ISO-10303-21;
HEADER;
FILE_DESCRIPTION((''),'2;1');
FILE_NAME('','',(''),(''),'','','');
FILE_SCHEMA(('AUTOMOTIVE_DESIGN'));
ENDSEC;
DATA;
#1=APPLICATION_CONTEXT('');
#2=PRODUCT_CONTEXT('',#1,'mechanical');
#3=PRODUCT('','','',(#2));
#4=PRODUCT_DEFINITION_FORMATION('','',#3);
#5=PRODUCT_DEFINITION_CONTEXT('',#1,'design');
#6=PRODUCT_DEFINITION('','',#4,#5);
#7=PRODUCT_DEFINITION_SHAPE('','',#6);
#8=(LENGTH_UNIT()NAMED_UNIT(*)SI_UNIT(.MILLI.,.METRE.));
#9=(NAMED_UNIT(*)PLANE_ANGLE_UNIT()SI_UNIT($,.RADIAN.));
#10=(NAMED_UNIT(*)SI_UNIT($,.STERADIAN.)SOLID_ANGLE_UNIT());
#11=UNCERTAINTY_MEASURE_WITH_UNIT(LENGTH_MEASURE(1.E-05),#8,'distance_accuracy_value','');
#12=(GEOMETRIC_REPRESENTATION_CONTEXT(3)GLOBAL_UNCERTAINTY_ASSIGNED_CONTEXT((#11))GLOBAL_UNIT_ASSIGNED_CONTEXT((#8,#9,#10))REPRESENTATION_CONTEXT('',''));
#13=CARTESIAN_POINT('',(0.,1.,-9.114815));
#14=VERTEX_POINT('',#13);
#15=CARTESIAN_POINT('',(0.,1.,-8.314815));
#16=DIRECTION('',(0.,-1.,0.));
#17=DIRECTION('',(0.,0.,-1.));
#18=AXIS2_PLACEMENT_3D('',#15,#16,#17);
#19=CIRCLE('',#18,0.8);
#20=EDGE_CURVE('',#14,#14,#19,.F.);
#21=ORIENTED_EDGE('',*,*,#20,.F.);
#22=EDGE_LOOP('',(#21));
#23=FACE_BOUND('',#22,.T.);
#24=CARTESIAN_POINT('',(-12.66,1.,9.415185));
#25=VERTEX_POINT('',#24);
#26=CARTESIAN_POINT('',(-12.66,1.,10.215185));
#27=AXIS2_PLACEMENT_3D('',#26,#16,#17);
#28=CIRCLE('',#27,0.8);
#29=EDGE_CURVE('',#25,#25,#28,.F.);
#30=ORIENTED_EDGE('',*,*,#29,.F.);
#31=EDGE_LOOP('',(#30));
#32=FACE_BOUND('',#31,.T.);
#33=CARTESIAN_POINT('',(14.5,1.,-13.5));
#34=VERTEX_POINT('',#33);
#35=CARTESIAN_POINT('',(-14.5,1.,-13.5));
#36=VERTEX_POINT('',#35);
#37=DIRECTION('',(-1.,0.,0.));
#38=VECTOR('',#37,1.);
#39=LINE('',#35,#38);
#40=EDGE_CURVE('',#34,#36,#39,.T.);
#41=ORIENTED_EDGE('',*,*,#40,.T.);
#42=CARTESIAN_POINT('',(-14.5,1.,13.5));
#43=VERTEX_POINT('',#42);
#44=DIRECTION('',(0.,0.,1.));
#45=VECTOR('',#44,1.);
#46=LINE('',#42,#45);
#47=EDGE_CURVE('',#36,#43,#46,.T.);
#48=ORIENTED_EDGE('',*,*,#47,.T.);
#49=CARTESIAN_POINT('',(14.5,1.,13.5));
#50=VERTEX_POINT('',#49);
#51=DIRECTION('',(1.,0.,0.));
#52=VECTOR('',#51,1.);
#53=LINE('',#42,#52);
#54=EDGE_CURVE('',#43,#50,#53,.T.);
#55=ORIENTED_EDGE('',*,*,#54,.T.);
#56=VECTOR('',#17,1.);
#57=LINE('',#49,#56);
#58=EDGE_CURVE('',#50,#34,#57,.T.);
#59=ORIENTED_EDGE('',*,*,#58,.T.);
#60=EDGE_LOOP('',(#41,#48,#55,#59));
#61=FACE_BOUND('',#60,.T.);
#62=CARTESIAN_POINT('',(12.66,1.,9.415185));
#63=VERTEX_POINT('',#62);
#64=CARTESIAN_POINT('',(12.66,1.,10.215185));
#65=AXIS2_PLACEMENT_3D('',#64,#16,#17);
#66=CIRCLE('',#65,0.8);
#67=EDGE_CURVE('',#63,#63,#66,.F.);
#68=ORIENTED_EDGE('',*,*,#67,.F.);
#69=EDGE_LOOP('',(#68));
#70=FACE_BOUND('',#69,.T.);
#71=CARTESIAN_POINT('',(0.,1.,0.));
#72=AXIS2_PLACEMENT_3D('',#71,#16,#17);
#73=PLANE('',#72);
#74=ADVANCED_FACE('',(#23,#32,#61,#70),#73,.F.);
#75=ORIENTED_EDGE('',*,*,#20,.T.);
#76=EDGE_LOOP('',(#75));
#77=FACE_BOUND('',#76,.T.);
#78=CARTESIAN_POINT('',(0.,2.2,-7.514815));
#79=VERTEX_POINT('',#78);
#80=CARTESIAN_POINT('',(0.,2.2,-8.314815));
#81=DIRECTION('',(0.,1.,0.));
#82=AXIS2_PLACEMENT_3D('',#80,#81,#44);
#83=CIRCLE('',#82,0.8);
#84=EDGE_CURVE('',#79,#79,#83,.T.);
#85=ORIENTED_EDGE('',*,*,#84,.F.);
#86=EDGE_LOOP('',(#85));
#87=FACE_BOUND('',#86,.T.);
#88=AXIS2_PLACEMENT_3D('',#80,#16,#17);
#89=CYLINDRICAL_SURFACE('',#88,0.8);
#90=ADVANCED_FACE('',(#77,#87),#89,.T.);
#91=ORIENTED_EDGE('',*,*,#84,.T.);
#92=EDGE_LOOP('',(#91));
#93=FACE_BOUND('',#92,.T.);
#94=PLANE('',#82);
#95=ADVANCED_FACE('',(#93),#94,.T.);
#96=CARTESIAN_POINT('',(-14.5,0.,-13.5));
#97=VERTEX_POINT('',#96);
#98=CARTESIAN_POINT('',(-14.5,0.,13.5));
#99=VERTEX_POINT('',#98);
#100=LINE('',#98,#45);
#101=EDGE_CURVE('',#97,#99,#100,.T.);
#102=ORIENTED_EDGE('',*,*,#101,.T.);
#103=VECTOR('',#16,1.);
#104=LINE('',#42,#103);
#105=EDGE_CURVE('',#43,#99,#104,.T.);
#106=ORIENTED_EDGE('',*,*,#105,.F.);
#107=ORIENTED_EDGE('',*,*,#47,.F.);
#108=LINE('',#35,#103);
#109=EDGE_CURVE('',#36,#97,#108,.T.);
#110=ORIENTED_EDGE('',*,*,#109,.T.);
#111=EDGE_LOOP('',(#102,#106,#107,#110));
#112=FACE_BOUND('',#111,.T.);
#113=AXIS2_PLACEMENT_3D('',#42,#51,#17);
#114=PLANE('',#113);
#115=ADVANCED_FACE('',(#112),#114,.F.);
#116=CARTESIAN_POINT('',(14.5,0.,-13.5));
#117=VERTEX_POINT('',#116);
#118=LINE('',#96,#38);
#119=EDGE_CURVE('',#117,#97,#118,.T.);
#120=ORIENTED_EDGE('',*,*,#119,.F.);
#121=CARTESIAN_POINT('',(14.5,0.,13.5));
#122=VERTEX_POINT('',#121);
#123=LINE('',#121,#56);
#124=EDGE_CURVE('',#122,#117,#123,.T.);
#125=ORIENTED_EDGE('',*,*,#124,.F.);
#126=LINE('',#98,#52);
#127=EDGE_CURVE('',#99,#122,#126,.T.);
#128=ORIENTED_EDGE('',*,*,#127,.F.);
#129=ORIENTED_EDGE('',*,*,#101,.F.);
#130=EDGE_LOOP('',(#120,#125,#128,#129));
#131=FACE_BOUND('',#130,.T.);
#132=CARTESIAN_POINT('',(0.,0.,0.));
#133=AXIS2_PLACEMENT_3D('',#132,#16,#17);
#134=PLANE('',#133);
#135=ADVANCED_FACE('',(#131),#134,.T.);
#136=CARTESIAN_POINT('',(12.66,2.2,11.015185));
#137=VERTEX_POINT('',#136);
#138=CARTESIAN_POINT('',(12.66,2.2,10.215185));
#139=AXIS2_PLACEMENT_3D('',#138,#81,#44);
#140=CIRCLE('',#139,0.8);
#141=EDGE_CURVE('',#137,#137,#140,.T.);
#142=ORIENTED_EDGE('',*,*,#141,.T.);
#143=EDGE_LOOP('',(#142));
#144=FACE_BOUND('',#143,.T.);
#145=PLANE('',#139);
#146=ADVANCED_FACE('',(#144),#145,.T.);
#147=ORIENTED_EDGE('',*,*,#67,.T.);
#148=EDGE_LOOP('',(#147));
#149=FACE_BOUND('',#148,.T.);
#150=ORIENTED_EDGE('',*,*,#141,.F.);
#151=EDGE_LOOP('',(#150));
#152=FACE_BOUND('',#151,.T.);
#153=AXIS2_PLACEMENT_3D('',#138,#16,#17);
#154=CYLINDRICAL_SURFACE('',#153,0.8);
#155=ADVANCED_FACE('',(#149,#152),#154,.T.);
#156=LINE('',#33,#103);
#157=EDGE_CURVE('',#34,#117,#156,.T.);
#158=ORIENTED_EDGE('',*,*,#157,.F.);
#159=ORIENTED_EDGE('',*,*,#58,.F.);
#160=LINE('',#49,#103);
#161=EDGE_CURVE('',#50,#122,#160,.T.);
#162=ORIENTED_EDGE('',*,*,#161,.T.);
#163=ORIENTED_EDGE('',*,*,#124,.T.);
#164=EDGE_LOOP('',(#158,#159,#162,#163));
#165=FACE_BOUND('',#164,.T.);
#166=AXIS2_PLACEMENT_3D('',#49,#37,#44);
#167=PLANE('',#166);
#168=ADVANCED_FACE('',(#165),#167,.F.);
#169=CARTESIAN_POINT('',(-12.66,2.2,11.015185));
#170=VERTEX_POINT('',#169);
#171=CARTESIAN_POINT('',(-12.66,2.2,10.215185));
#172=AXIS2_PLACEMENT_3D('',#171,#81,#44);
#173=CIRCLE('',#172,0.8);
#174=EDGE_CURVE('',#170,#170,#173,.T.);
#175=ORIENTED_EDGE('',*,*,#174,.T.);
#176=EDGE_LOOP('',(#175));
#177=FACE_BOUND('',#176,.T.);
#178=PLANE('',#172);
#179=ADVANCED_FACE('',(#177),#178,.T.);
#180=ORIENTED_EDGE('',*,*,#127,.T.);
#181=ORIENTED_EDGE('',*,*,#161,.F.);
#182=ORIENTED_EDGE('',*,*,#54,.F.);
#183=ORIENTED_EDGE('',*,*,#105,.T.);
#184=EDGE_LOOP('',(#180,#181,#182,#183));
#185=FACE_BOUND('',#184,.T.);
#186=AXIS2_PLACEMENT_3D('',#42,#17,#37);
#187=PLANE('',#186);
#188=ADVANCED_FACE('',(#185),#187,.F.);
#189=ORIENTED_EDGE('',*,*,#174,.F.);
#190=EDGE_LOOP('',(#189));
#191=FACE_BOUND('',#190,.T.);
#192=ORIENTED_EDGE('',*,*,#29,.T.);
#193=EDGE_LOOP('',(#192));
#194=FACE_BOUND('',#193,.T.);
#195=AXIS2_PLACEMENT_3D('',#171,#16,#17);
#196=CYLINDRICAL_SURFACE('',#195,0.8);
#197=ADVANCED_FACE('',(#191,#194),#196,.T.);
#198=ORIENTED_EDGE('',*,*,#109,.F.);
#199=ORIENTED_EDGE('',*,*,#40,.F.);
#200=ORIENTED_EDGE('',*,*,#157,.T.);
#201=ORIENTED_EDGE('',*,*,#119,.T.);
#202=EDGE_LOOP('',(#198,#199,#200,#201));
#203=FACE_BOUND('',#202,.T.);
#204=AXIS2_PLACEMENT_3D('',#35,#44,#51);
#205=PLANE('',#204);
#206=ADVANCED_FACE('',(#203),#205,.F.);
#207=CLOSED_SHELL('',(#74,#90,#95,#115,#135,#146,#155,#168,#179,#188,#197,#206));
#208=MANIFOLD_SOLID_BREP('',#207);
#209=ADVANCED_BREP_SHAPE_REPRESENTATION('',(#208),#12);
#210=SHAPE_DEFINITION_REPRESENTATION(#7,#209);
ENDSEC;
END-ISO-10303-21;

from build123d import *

# Parameters (mm, degrees)
SKETCH1_W           = 29
SKETCH1_H           = 27
BOSS_EXTRUDE1_DEPTH = 1
SKETCH2_R           = 0.8
BOSS_EXTRUDE2_DEPTH = 1.2


with BuildPart() as part:
    # Sketch1 → Boss-Extrude1 (new body)
    with BuildSketch(Plane(origin=(0, 0, 0), x_dir=(1, 0, 0), z_dir=(0, 1, 0))):
        Rectangle(SKETCH1_W, SKETCH1_H)
    extrude(amount=BOSS_EXTRUDE1_DEPTH)

    # Sketch2 → Boss-Extrude2 (add)
    with BuildSketch(Plane(origin=(0, 1, 0), x_dir=(1, 0, 0), z_dir=(0, 1, 0))):
        with Locations(Location((0, 8.314815344, 0), (0, 0, 90))):
            Circle(SKETCH2_R)
        with Locations(Location((-12.66, -10.215184656, 0), (0, 0, 90))):
            Circle(SKETCH2_R)
        with Locations(Location((12.66, -10.215184656, 0), (0, 0, 90))):
            Circle(SKETCH2_R)
    extrude(amount=BOSS_EXTRUDE2_DEPTH)


solid = part.part
